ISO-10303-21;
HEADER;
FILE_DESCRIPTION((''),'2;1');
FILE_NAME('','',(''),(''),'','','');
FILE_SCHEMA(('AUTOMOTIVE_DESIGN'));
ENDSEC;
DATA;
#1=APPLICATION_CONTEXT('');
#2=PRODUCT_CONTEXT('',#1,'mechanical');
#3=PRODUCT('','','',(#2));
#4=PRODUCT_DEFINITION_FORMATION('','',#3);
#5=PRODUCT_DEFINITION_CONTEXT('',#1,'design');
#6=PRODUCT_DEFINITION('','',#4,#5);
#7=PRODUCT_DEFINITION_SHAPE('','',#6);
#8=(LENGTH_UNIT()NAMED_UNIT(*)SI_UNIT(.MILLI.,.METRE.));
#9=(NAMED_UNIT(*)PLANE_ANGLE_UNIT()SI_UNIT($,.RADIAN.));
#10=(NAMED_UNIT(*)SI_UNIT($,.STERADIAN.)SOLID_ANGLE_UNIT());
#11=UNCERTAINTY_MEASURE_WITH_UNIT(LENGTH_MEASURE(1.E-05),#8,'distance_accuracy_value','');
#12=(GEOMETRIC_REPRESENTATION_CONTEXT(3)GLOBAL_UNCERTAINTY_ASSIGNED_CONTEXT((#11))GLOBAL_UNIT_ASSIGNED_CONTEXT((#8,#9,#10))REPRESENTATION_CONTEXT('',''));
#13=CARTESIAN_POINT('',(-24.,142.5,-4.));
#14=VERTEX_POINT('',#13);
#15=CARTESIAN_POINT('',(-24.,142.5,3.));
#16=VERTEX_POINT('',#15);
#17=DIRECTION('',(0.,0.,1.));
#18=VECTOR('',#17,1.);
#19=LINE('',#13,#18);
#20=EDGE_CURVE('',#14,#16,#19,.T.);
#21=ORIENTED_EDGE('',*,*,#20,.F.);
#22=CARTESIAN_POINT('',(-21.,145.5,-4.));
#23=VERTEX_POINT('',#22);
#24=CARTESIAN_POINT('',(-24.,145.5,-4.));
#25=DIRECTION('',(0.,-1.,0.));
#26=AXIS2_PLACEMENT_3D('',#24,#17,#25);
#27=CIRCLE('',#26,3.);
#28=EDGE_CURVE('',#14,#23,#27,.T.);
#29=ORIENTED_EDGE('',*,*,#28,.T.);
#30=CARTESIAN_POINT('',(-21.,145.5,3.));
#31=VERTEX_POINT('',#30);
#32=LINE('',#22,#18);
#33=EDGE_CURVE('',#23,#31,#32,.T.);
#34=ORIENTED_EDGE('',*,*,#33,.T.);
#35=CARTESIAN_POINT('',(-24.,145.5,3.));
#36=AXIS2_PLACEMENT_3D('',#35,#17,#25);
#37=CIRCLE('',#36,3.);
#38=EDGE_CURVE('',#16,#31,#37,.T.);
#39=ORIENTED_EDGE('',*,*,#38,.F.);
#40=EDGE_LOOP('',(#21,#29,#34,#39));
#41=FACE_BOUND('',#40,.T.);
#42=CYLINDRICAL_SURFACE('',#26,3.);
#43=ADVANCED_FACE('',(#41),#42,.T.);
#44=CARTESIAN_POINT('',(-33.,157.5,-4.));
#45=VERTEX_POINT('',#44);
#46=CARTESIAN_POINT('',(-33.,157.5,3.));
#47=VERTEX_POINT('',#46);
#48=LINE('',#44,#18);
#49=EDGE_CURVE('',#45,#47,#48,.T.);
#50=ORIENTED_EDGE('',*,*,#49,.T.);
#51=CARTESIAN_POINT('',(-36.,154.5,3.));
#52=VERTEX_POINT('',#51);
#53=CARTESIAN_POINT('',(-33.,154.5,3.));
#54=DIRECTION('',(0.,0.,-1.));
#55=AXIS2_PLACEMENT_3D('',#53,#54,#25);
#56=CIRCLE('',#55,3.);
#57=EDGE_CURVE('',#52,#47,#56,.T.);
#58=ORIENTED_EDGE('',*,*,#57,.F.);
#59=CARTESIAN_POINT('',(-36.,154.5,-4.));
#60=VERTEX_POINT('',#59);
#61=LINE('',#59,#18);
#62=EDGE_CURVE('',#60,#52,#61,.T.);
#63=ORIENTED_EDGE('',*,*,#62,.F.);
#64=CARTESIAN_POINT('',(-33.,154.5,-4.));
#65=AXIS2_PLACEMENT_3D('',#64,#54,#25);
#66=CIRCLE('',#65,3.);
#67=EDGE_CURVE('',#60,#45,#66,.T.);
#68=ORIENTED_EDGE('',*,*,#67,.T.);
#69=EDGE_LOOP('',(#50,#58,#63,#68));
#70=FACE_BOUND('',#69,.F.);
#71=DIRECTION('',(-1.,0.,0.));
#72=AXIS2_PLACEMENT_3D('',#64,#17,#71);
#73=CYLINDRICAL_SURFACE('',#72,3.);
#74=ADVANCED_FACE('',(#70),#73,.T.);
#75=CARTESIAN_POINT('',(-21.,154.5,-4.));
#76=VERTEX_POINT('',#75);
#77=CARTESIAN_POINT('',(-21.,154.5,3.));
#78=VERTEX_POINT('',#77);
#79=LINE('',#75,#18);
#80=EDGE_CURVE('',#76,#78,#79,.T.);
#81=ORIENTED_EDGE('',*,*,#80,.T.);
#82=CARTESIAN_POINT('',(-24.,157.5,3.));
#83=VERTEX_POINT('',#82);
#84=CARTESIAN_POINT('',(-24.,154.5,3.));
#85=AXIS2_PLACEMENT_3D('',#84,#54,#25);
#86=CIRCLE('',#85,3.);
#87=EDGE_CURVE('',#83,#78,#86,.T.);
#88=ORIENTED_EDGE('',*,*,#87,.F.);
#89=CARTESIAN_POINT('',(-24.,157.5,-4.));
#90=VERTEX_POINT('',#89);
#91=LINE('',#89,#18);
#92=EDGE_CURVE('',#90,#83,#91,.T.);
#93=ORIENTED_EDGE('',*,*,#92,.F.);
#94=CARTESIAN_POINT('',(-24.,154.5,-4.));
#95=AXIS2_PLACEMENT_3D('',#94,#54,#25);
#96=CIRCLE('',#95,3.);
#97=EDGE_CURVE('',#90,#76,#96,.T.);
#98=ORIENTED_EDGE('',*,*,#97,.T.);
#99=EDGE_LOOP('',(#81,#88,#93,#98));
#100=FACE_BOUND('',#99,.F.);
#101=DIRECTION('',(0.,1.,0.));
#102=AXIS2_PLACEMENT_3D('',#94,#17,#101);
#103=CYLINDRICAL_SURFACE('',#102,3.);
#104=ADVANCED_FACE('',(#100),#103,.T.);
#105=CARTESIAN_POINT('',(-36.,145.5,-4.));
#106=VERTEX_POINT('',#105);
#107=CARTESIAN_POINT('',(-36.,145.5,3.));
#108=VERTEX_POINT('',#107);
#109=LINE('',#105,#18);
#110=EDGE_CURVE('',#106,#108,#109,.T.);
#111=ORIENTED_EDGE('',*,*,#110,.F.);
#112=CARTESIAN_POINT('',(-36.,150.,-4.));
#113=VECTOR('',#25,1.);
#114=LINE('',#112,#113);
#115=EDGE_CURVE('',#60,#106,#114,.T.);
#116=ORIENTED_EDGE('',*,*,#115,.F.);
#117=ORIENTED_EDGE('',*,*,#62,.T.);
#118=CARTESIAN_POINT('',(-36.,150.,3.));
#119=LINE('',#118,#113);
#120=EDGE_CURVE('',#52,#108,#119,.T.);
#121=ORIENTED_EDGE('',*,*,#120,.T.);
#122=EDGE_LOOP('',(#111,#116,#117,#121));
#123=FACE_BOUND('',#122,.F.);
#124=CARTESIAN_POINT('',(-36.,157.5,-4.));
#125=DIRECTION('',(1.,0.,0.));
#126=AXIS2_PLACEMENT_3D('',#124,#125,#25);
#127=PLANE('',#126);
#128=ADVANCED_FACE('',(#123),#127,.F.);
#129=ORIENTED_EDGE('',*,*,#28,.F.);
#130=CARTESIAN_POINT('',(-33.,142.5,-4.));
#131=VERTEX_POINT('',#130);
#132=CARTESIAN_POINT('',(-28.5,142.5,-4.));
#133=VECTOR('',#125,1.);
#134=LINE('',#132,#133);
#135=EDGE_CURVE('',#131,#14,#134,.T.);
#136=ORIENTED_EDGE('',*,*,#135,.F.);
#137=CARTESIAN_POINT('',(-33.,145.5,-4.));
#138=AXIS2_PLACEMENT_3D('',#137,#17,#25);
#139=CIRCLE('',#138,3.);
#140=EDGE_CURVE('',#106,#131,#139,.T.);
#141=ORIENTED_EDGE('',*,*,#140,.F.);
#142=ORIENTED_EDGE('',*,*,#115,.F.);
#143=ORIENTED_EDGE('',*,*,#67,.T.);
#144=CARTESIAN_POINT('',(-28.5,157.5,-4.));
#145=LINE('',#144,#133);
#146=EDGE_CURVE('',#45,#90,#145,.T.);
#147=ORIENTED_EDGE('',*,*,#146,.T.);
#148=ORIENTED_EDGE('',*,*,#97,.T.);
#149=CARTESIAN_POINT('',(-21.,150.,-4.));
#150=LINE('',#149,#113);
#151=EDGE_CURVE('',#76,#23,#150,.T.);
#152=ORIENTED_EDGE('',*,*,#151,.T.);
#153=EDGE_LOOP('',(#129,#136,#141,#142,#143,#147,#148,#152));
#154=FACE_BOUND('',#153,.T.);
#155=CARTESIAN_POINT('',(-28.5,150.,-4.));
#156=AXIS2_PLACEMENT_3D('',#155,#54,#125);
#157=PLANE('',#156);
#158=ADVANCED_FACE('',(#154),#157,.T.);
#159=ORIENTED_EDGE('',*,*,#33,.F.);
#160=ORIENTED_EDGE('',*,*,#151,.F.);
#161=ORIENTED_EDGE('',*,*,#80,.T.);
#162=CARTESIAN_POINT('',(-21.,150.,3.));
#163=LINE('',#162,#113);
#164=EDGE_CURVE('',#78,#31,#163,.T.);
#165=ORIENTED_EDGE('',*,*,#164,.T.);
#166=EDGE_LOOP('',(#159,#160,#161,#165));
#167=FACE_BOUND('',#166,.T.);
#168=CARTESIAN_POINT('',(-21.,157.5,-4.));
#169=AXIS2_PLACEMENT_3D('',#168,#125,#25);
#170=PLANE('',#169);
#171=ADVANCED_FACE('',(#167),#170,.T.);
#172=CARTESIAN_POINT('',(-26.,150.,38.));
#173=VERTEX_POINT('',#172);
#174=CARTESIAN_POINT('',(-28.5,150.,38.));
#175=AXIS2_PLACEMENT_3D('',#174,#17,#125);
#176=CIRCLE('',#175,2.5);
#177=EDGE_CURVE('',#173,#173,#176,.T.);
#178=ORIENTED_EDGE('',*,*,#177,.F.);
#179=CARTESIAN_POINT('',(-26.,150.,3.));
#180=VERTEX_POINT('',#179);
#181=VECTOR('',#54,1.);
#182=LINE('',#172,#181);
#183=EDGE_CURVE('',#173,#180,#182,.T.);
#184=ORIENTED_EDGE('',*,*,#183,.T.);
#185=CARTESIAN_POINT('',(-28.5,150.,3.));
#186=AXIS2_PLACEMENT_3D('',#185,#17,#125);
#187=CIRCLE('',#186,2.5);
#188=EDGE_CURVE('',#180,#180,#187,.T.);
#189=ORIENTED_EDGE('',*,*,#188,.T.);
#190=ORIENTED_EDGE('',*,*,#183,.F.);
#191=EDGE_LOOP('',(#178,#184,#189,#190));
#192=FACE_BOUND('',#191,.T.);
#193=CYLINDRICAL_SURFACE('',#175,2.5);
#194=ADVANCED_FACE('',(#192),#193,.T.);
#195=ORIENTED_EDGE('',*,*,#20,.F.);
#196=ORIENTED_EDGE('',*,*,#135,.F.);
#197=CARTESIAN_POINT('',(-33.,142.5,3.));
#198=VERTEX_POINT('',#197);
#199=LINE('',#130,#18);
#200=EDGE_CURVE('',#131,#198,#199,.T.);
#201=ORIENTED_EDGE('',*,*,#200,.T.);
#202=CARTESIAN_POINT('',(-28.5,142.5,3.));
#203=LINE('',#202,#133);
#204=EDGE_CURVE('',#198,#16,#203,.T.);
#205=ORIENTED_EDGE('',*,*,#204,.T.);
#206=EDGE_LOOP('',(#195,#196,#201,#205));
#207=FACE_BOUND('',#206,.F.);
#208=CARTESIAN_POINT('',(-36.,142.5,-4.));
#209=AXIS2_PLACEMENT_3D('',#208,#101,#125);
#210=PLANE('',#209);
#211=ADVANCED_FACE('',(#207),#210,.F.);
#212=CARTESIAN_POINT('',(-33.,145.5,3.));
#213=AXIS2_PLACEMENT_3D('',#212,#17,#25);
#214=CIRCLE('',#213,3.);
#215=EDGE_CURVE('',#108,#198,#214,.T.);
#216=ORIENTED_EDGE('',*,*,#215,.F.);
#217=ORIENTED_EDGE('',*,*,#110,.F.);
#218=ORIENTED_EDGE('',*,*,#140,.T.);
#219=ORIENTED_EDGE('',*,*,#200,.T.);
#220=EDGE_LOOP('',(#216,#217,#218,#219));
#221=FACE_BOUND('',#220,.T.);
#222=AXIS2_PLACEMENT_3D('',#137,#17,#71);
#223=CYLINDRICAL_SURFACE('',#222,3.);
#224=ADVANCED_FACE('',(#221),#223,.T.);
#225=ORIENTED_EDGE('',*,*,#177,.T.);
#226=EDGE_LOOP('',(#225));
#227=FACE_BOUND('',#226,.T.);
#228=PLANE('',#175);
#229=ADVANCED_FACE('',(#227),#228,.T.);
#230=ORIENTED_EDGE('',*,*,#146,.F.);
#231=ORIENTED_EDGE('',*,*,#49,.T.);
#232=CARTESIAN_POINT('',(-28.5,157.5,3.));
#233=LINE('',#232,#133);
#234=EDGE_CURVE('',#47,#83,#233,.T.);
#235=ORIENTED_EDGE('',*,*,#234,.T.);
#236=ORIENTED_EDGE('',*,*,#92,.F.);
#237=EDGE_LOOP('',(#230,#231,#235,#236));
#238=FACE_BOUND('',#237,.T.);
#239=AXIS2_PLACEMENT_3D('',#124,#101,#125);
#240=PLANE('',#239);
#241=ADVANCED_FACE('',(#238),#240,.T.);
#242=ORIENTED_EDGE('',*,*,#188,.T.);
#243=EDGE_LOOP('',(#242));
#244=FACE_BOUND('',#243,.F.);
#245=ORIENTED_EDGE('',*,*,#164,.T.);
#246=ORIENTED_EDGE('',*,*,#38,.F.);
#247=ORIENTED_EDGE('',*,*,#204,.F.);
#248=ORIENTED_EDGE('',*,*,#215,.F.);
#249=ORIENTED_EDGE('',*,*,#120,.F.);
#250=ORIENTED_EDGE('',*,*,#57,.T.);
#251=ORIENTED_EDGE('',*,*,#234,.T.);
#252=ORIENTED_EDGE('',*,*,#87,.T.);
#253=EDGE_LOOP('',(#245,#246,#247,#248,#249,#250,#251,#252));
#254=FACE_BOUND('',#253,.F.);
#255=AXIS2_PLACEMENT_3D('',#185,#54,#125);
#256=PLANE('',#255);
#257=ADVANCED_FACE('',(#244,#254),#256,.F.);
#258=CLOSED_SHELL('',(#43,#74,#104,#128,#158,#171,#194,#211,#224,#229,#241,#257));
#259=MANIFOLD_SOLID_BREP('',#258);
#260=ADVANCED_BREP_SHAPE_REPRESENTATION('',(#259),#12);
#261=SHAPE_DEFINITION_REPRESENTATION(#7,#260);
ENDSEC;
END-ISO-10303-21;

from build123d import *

# Parameters (mm, degrees)
SKETCH149_R        = 2.5
PAD079_DEPTH       = 42
SKETCH148_W        = 15
SKETCH148_H        = 15
PAD080_DEPTH       = 7
FILLET005_R        = 3
BODY045_ROLL_ANGLE = -90


with BuildPart() as part:
    # Sketch149 → Pad079 (new body)
    with BuildSketch(Plane.XZ):
        Circle(SKETCH149_R)
    extrude(amount=-PAD079_DEPTH)

    # Sketch148 (on Face3 of Pad079) → Pad080 (join)
    with BuildSketch(Plane(origin=(0, 42, 0), x_dir=(1, 0, 0), z_dir=(0, 1, 0))):
        Rectangle(SKETCH148_W, SKETCH148_H)
    extrude(amount=-PAD080_DEPTH)

    # Fillet005
    fillet005_edges = [part.edges().sort_by_distance(p)[0] for p in [
        (7.5, 38.5, -7.5),
        (7.5, 38.5, 7.5),
        (-7.5, 38.5, 7.5),
        (-7.5, 38.5, -7.5),
    ]]
    fillet(fillet005_edges, radius=FILLET005_R)


with BuildPart() as part_1:
    # Body045 roll: moved
    add(part.part.rotate(Axis((0, 0, 0), (1, 0, 0)), BODY045_ROLL_ANGLE))


with BuildPart() as part_2:
    # Body045 placement: moved
    add(part_1.part.moved(Location((-28.5, 150, 38))))


solid = part_2.part
